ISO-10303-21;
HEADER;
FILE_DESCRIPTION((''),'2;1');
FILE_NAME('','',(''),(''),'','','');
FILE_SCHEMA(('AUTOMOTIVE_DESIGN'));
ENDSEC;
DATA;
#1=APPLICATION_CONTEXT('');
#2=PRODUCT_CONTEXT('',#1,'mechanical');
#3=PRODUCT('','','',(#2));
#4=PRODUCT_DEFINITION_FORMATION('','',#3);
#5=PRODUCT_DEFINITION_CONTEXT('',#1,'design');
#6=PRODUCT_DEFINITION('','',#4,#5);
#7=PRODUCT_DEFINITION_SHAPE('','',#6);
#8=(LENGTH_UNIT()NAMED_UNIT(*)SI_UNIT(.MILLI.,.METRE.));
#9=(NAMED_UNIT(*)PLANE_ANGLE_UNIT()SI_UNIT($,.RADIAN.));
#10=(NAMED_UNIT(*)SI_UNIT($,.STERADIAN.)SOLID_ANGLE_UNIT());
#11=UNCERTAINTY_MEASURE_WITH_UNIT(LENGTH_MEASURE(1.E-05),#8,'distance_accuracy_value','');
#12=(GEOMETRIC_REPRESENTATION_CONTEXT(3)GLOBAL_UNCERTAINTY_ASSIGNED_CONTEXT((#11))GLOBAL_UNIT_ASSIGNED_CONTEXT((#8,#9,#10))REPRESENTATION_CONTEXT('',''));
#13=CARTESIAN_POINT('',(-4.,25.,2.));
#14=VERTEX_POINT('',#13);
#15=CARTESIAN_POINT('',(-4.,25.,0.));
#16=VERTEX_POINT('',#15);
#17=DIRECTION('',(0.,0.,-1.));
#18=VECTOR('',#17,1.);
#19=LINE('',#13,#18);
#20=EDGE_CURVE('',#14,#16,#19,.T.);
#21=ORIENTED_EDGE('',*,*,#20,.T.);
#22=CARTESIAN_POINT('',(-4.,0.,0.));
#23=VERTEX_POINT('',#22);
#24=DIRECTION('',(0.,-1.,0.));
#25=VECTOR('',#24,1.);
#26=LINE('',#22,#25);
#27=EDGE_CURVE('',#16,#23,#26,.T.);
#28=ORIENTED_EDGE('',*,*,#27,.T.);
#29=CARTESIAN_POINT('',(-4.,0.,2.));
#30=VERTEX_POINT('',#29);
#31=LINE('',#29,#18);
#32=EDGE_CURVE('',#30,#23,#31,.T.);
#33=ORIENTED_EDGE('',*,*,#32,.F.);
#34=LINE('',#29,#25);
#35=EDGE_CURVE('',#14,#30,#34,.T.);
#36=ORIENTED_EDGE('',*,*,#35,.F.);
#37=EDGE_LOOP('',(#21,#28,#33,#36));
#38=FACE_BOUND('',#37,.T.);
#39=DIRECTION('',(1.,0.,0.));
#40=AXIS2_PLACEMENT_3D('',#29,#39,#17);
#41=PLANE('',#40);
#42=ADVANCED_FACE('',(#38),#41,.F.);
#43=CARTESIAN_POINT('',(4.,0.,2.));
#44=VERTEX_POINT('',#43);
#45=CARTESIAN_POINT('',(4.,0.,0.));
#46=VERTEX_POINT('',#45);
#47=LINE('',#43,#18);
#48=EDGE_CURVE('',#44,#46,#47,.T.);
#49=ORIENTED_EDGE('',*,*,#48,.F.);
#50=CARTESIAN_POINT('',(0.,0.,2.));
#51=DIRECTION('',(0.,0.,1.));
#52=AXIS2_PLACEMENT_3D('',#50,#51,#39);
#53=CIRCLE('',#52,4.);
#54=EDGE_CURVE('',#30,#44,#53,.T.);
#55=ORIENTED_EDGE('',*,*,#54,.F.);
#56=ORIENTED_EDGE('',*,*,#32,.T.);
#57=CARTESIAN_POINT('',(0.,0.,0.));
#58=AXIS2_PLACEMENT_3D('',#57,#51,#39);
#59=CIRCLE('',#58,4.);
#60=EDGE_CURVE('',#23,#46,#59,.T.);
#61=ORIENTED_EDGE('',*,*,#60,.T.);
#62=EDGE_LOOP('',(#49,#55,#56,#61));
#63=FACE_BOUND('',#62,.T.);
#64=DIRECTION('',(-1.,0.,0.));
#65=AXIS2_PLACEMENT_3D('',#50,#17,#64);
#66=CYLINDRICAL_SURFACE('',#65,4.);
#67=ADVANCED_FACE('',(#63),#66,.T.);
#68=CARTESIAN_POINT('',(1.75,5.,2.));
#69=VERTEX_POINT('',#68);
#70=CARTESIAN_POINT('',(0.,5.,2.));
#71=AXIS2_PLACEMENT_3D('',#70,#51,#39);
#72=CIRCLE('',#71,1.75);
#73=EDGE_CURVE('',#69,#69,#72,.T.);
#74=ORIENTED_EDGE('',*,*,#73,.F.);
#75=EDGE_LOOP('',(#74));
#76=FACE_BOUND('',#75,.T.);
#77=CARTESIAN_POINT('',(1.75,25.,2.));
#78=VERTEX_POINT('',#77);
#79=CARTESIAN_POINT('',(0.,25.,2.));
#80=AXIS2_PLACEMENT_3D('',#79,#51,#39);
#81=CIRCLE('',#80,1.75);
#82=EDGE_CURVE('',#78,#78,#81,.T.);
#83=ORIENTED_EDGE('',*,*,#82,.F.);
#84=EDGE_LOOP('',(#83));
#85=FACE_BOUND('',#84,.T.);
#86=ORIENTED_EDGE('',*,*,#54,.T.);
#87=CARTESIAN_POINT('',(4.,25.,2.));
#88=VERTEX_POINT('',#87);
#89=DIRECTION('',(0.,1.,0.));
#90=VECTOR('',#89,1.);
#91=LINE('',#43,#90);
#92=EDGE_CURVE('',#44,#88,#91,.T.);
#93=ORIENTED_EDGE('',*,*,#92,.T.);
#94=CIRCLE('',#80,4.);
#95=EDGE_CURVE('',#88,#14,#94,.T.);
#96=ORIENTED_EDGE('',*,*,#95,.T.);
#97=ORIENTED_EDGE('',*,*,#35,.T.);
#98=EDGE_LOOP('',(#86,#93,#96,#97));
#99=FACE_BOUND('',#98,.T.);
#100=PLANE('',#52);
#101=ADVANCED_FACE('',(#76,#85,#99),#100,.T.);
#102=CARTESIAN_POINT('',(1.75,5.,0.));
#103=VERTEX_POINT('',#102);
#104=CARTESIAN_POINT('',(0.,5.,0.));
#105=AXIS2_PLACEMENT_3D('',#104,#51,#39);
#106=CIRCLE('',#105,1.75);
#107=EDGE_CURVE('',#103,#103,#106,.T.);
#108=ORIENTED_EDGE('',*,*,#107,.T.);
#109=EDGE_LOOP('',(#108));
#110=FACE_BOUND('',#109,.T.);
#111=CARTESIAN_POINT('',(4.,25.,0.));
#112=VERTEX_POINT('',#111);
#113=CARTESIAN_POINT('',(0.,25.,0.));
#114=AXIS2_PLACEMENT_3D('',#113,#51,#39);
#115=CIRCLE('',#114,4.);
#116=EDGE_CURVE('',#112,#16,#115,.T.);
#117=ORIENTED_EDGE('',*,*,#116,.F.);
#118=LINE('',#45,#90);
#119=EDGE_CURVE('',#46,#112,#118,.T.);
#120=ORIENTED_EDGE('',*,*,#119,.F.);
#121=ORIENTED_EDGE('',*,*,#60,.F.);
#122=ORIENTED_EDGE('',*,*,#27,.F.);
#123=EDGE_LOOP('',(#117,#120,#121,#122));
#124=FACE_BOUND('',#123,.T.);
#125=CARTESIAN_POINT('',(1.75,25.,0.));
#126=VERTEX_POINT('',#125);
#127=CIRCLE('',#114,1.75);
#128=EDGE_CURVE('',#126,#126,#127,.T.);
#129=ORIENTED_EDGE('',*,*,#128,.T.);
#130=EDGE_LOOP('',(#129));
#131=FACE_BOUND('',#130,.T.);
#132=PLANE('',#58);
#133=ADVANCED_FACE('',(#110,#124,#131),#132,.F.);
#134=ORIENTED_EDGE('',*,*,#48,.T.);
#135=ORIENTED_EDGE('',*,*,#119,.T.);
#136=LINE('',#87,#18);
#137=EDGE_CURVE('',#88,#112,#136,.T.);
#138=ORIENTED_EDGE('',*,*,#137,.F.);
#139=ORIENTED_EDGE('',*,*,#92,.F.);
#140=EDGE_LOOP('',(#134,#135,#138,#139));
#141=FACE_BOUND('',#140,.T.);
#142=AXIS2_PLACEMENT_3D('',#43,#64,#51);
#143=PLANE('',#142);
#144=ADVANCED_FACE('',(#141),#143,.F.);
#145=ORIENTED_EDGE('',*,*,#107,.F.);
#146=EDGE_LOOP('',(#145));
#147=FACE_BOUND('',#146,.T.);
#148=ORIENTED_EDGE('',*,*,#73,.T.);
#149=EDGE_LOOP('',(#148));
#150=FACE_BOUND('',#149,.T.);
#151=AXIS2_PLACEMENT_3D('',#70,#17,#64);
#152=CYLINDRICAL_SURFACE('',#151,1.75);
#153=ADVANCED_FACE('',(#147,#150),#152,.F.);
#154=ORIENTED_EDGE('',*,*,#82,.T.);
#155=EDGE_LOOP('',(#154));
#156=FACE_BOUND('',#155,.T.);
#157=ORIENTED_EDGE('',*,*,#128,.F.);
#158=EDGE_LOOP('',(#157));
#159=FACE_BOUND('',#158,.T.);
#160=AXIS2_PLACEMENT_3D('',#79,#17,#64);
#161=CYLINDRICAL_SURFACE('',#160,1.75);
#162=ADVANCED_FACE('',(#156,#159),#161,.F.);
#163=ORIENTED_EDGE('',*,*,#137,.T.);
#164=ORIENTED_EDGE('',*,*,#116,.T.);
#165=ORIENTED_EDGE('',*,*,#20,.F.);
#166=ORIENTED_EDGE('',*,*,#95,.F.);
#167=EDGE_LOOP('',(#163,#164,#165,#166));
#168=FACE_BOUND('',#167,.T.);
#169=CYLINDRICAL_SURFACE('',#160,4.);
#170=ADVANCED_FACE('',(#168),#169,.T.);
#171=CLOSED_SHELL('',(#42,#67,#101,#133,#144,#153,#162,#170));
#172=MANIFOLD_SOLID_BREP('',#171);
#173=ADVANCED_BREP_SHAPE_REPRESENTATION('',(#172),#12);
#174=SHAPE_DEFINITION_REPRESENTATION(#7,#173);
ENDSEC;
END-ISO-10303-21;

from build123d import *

# Parameters (mm, degrees)
SKETCH_2_R      = 1.75
EXTRUDE_1_DEPTH = 2


with BuildPart() as part:
    # 草图2 → 凸台-拉伸1 (new body)
    with BuildSketch(Plane.XY):
        with BuildLine():
            Line((-4, 0), (-4, 25))
            ThreePointArc((-4, 25), (0, 29), (4, 25))
            Line((4, 25), (4, 0))
            ThreePointArc((4, 0), (0, -4), (-4, 0))
        make_face()
        with Locations((0, 5)):
            Circle(SKETCH_2_R, mode=Mode.SUBTRACT)
        with Locations((0, 25)):
            Circle(SKETCH_2_R, mode=Mode.SUBTRACT)
    extrude(amount=EXTRUDE_1_DEPTH)


solid = part.part
